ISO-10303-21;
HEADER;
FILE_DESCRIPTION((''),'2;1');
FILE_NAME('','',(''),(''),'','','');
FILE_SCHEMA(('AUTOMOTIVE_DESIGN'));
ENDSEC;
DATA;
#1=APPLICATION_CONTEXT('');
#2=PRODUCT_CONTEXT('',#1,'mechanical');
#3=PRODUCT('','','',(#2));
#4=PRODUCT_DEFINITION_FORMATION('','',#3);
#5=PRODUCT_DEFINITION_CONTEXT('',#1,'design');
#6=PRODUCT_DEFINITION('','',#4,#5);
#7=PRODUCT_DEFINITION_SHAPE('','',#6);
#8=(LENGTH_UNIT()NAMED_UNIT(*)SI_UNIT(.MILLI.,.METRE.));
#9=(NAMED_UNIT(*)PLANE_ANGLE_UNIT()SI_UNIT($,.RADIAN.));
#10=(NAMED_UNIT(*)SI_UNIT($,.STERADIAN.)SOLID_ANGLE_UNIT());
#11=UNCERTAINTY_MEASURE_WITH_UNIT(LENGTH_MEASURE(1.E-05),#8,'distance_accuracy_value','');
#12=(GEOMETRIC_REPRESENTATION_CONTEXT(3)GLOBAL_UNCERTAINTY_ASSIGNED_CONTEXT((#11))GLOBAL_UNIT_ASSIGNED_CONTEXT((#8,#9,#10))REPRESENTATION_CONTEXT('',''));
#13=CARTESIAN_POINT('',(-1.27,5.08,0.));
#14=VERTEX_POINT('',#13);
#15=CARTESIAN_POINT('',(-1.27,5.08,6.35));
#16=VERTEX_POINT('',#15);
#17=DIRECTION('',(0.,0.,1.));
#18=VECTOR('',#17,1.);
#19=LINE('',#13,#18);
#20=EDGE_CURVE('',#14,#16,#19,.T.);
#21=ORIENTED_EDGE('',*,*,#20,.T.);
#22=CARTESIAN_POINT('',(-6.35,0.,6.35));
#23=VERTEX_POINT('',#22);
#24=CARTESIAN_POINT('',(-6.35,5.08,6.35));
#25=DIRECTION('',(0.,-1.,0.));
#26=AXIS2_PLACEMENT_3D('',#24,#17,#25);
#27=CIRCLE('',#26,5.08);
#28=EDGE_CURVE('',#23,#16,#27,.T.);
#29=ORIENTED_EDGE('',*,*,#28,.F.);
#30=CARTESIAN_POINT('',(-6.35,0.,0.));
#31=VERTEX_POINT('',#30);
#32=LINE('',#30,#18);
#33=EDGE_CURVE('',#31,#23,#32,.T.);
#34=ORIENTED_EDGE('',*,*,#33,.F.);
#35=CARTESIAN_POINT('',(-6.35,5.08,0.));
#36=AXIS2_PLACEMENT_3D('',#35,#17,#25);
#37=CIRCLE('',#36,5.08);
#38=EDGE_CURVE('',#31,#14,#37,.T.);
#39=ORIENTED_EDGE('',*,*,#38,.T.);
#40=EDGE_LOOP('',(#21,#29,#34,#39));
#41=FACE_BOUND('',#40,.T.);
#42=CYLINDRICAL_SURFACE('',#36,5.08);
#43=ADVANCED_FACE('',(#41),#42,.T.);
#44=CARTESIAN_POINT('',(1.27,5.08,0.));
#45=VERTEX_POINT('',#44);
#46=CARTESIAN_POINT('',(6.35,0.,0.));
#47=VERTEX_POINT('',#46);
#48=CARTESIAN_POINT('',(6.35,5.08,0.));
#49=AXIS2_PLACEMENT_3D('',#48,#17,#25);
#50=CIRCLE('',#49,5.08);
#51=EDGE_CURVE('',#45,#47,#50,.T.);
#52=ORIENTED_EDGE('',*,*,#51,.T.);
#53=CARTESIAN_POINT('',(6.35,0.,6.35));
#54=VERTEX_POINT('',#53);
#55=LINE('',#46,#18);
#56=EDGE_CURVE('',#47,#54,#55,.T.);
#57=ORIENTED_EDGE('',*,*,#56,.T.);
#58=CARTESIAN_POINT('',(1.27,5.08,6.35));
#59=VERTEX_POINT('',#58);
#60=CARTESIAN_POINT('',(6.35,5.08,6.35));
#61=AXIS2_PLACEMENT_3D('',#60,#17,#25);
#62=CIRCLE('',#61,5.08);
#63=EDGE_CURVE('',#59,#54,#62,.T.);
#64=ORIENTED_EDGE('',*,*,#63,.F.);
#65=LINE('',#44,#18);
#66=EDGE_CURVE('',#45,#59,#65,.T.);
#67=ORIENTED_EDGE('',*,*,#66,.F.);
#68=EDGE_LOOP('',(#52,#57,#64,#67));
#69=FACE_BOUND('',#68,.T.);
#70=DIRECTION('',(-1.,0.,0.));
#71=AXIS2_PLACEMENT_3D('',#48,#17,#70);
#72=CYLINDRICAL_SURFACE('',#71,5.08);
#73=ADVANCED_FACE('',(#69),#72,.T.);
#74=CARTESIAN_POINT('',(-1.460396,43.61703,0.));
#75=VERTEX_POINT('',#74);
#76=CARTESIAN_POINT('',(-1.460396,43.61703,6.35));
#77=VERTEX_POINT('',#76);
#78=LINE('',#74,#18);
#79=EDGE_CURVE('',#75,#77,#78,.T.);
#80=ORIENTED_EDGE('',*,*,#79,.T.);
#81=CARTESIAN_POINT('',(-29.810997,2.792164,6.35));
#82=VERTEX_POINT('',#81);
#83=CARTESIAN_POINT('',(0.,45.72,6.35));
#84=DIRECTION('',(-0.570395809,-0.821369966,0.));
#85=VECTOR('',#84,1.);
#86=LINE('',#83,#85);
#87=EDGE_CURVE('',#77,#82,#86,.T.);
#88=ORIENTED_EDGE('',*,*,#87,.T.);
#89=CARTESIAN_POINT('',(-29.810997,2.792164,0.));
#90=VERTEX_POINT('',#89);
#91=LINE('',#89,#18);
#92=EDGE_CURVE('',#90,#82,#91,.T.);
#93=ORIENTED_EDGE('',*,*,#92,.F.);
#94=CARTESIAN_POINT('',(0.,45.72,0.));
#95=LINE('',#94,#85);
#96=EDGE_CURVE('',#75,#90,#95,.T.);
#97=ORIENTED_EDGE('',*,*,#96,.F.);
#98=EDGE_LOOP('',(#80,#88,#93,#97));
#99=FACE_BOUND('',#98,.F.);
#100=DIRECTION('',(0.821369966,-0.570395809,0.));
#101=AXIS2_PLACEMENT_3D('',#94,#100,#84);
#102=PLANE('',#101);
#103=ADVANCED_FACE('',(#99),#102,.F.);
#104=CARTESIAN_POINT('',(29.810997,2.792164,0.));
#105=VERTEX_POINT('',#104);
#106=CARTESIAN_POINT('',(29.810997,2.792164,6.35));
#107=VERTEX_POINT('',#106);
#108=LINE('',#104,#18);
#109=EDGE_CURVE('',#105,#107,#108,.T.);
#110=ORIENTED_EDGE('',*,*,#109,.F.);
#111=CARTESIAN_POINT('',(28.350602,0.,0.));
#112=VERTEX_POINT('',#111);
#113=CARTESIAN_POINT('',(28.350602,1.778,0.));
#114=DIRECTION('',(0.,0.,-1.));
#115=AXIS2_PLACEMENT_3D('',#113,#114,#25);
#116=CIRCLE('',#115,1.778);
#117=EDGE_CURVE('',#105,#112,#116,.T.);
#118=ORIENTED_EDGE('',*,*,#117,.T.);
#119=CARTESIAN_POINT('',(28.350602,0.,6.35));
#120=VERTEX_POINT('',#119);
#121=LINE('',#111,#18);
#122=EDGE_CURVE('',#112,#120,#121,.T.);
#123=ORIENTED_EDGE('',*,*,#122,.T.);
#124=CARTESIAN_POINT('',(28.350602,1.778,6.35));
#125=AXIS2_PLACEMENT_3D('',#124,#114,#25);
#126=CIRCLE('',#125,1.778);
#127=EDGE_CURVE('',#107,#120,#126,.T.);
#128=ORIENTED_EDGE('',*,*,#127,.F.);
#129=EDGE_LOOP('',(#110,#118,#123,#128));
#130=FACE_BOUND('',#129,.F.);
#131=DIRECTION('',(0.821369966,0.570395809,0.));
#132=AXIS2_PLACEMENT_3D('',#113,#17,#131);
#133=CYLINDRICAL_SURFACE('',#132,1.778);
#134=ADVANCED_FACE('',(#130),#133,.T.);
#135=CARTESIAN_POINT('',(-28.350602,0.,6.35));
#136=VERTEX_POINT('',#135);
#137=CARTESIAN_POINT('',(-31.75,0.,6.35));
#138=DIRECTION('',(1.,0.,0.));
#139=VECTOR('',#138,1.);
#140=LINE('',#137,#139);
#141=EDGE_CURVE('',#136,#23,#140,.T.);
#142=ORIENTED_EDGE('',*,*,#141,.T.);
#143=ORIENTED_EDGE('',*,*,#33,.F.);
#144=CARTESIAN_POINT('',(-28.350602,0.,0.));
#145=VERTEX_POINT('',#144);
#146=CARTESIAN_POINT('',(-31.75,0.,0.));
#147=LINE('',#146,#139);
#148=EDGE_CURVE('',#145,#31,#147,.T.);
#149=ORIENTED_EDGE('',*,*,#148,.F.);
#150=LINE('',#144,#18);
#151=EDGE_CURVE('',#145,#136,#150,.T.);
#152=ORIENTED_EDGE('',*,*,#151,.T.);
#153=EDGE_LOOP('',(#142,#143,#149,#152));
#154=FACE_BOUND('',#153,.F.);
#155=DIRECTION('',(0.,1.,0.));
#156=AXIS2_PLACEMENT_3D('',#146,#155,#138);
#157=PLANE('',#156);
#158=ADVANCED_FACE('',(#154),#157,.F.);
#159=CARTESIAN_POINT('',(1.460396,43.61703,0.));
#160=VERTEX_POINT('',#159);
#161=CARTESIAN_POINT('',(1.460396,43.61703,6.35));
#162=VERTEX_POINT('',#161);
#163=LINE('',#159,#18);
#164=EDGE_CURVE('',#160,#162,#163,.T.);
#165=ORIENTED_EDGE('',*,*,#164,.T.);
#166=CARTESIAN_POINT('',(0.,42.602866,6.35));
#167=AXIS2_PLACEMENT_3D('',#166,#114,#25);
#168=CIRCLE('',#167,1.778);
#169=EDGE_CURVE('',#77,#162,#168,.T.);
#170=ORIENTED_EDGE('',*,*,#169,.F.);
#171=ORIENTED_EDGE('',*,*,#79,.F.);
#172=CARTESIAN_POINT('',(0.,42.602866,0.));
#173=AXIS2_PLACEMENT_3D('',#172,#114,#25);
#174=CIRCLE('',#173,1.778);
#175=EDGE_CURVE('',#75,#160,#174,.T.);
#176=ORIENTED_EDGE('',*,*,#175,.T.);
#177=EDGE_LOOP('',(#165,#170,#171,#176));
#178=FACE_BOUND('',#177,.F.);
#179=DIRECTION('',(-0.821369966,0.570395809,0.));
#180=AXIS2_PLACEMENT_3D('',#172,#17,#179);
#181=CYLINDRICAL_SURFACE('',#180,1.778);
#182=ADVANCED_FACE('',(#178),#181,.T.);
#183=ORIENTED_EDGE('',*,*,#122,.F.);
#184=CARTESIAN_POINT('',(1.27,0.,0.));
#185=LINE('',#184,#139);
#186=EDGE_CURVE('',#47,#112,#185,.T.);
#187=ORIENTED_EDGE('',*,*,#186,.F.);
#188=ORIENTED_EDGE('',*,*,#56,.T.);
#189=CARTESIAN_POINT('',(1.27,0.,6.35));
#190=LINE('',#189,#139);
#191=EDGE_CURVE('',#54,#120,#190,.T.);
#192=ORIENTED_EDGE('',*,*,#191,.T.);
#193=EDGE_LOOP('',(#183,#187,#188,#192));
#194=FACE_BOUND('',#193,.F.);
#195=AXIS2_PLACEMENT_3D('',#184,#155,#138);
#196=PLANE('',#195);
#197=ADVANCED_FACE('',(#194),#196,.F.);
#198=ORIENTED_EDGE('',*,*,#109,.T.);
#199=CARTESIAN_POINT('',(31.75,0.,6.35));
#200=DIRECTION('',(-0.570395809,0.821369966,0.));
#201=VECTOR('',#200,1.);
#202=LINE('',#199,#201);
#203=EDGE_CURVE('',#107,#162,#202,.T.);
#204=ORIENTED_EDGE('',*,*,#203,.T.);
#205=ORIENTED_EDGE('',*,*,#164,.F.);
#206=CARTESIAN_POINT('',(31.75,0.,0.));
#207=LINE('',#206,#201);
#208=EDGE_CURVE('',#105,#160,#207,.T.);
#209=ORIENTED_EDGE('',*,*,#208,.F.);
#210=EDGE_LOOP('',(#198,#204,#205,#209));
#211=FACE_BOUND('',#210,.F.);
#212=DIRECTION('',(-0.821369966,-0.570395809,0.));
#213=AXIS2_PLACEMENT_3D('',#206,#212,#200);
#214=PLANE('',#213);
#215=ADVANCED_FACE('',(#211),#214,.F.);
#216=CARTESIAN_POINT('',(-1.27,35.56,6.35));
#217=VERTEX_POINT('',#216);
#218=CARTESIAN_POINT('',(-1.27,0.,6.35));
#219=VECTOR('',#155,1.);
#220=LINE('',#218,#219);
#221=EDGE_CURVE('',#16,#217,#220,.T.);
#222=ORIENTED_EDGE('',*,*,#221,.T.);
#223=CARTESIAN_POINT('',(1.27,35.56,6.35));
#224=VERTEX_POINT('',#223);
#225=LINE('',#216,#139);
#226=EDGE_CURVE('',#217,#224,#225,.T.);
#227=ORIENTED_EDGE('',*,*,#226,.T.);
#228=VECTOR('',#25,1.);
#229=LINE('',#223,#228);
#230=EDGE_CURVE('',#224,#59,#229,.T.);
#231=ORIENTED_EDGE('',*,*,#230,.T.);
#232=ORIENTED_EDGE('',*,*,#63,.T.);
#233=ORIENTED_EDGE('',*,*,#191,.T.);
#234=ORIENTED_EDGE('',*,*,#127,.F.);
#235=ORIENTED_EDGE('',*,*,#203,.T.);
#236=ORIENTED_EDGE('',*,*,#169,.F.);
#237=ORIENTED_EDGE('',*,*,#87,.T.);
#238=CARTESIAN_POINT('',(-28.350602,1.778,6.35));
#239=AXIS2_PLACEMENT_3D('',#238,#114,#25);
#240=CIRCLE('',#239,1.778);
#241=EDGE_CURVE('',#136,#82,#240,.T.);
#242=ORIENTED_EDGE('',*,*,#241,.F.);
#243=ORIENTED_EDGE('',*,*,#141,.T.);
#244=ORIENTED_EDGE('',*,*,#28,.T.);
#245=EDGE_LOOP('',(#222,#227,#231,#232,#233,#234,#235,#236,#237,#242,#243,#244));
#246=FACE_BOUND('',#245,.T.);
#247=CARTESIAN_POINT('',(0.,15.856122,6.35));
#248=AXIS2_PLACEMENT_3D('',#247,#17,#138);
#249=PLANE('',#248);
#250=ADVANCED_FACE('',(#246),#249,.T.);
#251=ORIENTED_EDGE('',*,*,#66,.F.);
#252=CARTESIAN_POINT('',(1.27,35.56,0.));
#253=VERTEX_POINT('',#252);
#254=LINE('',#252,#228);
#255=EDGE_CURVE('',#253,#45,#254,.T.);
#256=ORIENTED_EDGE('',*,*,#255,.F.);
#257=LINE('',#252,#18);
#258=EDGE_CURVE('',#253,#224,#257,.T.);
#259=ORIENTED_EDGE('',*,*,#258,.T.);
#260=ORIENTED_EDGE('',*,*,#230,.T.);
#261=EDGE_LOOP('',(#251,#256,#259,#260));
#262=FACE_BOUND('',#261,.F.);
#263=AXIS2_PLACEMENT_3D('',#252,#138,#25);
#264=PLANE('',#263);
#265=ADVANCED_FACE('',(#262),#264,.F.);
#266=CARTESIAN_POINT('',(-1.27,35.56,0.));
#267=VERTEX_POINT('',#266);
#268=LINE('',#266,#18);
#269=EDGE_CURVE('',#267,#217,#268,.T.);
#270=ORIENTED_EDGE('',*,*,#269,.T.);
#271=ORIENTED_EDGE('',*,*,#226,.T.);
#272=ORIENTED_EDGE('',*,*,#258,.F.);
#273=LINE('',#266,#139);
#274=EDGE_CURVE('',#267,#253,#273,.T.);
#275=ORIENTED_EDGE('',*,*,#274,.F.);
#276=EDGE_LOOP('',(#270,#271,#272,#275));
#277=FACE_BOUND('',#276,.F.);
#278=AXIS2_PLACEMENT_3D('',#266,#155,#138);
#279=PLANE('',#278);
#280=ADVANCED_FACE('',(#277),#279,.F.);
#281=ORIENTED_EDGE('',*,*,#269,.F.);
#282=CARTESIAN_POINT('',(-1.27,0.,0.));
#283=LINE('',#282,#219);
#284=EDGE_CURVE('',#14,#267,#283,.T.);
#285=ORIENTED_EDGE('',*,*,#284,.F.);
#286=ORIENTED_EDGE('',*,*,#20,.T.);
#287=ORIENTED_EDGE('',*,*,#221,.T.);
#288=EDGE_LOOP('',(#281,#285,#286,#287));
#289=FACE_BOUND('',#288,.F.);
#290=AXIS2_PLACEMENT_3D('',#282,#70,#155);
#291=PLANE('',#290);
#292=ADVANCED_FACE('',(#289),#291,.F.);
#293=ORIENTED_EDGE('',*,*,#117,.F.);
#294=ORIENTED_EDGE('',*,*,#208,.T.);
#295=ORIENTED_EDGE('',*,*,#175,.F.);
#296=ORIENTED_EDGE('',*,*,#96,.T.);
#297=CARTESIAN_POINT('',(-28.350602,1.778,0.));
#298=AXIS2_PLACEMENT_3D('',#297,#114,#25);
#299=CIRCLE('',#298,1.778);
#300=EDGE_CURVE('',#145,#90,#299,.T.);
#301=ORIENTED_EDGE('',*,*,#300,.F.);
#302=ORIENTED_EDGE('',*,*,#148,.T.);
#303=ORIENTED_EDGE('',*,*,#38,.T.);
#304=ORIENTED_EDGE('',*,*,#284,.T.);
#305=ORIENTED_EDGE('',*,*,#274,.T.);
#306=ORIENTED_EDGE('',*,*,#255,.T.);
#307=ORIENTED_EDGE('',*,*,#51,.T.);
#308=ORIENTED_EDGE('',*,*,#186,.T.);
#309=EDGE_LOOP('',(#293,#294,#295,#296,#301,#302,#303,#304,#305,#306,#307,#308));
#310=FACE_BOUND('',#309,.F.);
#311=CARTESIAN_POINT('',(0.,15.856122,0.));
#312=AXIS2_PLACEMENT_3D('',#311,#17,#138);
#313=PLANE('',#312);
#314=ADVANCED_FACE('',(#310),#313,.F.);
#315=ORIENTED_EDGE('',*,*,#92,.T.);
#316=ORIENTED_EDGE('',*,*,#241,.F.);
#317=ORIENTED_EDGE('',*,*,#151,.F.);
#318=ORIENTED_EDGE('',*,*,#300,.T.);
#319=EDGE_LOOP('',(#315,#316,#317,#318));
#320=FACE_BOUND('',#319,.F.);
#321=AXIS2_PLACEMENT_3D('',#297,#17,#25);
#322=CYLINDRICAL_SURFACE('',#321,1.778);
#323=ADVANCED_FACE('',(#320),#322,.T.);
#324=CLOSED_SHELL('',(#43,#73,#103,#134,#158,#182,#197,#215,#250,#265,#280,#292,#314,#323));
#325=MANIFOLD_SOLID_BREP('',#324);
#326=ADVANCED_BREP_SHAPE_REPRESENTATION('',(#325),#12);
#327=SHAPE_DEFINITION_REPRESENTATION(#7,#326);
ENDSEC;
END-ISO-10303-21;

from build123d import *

# Parameters (mm, degrees)
F1_DEPTH = 6.35
F2_R     = 5.08
F3_R     = 1.778


with BuildPart() as f1:
    # F0 (on Top) → F1 (new body)
    with BuildSketch(Plane.XY):
        Polygon((31.75, 0), (0, 45.72), (-31.75, 0), (-1.27, 0), (-1.27, 35.56), (1.27, 35.56), (1.27, 0), align=None)
    extrude(amount=F1_DEPTH)

    # F2
    f2_edges = [f1.edges().sort_by_distance(p)[0] for p in [
        (-1.27, 0, 3.175),
        (1.27, 0, 3.175),
    ]]
    fillet(f2_edges, radius=F2_R)

    # F3
    f3_edges = [f1.edges().sort_by_distance(p)[0] for p in [
        (0, 45.72, 3.175),
        (31.75, 0, 3.175),
        (-31.75, 0, 3.175),
    ]]
    fillet(f3_edges, radius=F3_R)


solid = f1.part
